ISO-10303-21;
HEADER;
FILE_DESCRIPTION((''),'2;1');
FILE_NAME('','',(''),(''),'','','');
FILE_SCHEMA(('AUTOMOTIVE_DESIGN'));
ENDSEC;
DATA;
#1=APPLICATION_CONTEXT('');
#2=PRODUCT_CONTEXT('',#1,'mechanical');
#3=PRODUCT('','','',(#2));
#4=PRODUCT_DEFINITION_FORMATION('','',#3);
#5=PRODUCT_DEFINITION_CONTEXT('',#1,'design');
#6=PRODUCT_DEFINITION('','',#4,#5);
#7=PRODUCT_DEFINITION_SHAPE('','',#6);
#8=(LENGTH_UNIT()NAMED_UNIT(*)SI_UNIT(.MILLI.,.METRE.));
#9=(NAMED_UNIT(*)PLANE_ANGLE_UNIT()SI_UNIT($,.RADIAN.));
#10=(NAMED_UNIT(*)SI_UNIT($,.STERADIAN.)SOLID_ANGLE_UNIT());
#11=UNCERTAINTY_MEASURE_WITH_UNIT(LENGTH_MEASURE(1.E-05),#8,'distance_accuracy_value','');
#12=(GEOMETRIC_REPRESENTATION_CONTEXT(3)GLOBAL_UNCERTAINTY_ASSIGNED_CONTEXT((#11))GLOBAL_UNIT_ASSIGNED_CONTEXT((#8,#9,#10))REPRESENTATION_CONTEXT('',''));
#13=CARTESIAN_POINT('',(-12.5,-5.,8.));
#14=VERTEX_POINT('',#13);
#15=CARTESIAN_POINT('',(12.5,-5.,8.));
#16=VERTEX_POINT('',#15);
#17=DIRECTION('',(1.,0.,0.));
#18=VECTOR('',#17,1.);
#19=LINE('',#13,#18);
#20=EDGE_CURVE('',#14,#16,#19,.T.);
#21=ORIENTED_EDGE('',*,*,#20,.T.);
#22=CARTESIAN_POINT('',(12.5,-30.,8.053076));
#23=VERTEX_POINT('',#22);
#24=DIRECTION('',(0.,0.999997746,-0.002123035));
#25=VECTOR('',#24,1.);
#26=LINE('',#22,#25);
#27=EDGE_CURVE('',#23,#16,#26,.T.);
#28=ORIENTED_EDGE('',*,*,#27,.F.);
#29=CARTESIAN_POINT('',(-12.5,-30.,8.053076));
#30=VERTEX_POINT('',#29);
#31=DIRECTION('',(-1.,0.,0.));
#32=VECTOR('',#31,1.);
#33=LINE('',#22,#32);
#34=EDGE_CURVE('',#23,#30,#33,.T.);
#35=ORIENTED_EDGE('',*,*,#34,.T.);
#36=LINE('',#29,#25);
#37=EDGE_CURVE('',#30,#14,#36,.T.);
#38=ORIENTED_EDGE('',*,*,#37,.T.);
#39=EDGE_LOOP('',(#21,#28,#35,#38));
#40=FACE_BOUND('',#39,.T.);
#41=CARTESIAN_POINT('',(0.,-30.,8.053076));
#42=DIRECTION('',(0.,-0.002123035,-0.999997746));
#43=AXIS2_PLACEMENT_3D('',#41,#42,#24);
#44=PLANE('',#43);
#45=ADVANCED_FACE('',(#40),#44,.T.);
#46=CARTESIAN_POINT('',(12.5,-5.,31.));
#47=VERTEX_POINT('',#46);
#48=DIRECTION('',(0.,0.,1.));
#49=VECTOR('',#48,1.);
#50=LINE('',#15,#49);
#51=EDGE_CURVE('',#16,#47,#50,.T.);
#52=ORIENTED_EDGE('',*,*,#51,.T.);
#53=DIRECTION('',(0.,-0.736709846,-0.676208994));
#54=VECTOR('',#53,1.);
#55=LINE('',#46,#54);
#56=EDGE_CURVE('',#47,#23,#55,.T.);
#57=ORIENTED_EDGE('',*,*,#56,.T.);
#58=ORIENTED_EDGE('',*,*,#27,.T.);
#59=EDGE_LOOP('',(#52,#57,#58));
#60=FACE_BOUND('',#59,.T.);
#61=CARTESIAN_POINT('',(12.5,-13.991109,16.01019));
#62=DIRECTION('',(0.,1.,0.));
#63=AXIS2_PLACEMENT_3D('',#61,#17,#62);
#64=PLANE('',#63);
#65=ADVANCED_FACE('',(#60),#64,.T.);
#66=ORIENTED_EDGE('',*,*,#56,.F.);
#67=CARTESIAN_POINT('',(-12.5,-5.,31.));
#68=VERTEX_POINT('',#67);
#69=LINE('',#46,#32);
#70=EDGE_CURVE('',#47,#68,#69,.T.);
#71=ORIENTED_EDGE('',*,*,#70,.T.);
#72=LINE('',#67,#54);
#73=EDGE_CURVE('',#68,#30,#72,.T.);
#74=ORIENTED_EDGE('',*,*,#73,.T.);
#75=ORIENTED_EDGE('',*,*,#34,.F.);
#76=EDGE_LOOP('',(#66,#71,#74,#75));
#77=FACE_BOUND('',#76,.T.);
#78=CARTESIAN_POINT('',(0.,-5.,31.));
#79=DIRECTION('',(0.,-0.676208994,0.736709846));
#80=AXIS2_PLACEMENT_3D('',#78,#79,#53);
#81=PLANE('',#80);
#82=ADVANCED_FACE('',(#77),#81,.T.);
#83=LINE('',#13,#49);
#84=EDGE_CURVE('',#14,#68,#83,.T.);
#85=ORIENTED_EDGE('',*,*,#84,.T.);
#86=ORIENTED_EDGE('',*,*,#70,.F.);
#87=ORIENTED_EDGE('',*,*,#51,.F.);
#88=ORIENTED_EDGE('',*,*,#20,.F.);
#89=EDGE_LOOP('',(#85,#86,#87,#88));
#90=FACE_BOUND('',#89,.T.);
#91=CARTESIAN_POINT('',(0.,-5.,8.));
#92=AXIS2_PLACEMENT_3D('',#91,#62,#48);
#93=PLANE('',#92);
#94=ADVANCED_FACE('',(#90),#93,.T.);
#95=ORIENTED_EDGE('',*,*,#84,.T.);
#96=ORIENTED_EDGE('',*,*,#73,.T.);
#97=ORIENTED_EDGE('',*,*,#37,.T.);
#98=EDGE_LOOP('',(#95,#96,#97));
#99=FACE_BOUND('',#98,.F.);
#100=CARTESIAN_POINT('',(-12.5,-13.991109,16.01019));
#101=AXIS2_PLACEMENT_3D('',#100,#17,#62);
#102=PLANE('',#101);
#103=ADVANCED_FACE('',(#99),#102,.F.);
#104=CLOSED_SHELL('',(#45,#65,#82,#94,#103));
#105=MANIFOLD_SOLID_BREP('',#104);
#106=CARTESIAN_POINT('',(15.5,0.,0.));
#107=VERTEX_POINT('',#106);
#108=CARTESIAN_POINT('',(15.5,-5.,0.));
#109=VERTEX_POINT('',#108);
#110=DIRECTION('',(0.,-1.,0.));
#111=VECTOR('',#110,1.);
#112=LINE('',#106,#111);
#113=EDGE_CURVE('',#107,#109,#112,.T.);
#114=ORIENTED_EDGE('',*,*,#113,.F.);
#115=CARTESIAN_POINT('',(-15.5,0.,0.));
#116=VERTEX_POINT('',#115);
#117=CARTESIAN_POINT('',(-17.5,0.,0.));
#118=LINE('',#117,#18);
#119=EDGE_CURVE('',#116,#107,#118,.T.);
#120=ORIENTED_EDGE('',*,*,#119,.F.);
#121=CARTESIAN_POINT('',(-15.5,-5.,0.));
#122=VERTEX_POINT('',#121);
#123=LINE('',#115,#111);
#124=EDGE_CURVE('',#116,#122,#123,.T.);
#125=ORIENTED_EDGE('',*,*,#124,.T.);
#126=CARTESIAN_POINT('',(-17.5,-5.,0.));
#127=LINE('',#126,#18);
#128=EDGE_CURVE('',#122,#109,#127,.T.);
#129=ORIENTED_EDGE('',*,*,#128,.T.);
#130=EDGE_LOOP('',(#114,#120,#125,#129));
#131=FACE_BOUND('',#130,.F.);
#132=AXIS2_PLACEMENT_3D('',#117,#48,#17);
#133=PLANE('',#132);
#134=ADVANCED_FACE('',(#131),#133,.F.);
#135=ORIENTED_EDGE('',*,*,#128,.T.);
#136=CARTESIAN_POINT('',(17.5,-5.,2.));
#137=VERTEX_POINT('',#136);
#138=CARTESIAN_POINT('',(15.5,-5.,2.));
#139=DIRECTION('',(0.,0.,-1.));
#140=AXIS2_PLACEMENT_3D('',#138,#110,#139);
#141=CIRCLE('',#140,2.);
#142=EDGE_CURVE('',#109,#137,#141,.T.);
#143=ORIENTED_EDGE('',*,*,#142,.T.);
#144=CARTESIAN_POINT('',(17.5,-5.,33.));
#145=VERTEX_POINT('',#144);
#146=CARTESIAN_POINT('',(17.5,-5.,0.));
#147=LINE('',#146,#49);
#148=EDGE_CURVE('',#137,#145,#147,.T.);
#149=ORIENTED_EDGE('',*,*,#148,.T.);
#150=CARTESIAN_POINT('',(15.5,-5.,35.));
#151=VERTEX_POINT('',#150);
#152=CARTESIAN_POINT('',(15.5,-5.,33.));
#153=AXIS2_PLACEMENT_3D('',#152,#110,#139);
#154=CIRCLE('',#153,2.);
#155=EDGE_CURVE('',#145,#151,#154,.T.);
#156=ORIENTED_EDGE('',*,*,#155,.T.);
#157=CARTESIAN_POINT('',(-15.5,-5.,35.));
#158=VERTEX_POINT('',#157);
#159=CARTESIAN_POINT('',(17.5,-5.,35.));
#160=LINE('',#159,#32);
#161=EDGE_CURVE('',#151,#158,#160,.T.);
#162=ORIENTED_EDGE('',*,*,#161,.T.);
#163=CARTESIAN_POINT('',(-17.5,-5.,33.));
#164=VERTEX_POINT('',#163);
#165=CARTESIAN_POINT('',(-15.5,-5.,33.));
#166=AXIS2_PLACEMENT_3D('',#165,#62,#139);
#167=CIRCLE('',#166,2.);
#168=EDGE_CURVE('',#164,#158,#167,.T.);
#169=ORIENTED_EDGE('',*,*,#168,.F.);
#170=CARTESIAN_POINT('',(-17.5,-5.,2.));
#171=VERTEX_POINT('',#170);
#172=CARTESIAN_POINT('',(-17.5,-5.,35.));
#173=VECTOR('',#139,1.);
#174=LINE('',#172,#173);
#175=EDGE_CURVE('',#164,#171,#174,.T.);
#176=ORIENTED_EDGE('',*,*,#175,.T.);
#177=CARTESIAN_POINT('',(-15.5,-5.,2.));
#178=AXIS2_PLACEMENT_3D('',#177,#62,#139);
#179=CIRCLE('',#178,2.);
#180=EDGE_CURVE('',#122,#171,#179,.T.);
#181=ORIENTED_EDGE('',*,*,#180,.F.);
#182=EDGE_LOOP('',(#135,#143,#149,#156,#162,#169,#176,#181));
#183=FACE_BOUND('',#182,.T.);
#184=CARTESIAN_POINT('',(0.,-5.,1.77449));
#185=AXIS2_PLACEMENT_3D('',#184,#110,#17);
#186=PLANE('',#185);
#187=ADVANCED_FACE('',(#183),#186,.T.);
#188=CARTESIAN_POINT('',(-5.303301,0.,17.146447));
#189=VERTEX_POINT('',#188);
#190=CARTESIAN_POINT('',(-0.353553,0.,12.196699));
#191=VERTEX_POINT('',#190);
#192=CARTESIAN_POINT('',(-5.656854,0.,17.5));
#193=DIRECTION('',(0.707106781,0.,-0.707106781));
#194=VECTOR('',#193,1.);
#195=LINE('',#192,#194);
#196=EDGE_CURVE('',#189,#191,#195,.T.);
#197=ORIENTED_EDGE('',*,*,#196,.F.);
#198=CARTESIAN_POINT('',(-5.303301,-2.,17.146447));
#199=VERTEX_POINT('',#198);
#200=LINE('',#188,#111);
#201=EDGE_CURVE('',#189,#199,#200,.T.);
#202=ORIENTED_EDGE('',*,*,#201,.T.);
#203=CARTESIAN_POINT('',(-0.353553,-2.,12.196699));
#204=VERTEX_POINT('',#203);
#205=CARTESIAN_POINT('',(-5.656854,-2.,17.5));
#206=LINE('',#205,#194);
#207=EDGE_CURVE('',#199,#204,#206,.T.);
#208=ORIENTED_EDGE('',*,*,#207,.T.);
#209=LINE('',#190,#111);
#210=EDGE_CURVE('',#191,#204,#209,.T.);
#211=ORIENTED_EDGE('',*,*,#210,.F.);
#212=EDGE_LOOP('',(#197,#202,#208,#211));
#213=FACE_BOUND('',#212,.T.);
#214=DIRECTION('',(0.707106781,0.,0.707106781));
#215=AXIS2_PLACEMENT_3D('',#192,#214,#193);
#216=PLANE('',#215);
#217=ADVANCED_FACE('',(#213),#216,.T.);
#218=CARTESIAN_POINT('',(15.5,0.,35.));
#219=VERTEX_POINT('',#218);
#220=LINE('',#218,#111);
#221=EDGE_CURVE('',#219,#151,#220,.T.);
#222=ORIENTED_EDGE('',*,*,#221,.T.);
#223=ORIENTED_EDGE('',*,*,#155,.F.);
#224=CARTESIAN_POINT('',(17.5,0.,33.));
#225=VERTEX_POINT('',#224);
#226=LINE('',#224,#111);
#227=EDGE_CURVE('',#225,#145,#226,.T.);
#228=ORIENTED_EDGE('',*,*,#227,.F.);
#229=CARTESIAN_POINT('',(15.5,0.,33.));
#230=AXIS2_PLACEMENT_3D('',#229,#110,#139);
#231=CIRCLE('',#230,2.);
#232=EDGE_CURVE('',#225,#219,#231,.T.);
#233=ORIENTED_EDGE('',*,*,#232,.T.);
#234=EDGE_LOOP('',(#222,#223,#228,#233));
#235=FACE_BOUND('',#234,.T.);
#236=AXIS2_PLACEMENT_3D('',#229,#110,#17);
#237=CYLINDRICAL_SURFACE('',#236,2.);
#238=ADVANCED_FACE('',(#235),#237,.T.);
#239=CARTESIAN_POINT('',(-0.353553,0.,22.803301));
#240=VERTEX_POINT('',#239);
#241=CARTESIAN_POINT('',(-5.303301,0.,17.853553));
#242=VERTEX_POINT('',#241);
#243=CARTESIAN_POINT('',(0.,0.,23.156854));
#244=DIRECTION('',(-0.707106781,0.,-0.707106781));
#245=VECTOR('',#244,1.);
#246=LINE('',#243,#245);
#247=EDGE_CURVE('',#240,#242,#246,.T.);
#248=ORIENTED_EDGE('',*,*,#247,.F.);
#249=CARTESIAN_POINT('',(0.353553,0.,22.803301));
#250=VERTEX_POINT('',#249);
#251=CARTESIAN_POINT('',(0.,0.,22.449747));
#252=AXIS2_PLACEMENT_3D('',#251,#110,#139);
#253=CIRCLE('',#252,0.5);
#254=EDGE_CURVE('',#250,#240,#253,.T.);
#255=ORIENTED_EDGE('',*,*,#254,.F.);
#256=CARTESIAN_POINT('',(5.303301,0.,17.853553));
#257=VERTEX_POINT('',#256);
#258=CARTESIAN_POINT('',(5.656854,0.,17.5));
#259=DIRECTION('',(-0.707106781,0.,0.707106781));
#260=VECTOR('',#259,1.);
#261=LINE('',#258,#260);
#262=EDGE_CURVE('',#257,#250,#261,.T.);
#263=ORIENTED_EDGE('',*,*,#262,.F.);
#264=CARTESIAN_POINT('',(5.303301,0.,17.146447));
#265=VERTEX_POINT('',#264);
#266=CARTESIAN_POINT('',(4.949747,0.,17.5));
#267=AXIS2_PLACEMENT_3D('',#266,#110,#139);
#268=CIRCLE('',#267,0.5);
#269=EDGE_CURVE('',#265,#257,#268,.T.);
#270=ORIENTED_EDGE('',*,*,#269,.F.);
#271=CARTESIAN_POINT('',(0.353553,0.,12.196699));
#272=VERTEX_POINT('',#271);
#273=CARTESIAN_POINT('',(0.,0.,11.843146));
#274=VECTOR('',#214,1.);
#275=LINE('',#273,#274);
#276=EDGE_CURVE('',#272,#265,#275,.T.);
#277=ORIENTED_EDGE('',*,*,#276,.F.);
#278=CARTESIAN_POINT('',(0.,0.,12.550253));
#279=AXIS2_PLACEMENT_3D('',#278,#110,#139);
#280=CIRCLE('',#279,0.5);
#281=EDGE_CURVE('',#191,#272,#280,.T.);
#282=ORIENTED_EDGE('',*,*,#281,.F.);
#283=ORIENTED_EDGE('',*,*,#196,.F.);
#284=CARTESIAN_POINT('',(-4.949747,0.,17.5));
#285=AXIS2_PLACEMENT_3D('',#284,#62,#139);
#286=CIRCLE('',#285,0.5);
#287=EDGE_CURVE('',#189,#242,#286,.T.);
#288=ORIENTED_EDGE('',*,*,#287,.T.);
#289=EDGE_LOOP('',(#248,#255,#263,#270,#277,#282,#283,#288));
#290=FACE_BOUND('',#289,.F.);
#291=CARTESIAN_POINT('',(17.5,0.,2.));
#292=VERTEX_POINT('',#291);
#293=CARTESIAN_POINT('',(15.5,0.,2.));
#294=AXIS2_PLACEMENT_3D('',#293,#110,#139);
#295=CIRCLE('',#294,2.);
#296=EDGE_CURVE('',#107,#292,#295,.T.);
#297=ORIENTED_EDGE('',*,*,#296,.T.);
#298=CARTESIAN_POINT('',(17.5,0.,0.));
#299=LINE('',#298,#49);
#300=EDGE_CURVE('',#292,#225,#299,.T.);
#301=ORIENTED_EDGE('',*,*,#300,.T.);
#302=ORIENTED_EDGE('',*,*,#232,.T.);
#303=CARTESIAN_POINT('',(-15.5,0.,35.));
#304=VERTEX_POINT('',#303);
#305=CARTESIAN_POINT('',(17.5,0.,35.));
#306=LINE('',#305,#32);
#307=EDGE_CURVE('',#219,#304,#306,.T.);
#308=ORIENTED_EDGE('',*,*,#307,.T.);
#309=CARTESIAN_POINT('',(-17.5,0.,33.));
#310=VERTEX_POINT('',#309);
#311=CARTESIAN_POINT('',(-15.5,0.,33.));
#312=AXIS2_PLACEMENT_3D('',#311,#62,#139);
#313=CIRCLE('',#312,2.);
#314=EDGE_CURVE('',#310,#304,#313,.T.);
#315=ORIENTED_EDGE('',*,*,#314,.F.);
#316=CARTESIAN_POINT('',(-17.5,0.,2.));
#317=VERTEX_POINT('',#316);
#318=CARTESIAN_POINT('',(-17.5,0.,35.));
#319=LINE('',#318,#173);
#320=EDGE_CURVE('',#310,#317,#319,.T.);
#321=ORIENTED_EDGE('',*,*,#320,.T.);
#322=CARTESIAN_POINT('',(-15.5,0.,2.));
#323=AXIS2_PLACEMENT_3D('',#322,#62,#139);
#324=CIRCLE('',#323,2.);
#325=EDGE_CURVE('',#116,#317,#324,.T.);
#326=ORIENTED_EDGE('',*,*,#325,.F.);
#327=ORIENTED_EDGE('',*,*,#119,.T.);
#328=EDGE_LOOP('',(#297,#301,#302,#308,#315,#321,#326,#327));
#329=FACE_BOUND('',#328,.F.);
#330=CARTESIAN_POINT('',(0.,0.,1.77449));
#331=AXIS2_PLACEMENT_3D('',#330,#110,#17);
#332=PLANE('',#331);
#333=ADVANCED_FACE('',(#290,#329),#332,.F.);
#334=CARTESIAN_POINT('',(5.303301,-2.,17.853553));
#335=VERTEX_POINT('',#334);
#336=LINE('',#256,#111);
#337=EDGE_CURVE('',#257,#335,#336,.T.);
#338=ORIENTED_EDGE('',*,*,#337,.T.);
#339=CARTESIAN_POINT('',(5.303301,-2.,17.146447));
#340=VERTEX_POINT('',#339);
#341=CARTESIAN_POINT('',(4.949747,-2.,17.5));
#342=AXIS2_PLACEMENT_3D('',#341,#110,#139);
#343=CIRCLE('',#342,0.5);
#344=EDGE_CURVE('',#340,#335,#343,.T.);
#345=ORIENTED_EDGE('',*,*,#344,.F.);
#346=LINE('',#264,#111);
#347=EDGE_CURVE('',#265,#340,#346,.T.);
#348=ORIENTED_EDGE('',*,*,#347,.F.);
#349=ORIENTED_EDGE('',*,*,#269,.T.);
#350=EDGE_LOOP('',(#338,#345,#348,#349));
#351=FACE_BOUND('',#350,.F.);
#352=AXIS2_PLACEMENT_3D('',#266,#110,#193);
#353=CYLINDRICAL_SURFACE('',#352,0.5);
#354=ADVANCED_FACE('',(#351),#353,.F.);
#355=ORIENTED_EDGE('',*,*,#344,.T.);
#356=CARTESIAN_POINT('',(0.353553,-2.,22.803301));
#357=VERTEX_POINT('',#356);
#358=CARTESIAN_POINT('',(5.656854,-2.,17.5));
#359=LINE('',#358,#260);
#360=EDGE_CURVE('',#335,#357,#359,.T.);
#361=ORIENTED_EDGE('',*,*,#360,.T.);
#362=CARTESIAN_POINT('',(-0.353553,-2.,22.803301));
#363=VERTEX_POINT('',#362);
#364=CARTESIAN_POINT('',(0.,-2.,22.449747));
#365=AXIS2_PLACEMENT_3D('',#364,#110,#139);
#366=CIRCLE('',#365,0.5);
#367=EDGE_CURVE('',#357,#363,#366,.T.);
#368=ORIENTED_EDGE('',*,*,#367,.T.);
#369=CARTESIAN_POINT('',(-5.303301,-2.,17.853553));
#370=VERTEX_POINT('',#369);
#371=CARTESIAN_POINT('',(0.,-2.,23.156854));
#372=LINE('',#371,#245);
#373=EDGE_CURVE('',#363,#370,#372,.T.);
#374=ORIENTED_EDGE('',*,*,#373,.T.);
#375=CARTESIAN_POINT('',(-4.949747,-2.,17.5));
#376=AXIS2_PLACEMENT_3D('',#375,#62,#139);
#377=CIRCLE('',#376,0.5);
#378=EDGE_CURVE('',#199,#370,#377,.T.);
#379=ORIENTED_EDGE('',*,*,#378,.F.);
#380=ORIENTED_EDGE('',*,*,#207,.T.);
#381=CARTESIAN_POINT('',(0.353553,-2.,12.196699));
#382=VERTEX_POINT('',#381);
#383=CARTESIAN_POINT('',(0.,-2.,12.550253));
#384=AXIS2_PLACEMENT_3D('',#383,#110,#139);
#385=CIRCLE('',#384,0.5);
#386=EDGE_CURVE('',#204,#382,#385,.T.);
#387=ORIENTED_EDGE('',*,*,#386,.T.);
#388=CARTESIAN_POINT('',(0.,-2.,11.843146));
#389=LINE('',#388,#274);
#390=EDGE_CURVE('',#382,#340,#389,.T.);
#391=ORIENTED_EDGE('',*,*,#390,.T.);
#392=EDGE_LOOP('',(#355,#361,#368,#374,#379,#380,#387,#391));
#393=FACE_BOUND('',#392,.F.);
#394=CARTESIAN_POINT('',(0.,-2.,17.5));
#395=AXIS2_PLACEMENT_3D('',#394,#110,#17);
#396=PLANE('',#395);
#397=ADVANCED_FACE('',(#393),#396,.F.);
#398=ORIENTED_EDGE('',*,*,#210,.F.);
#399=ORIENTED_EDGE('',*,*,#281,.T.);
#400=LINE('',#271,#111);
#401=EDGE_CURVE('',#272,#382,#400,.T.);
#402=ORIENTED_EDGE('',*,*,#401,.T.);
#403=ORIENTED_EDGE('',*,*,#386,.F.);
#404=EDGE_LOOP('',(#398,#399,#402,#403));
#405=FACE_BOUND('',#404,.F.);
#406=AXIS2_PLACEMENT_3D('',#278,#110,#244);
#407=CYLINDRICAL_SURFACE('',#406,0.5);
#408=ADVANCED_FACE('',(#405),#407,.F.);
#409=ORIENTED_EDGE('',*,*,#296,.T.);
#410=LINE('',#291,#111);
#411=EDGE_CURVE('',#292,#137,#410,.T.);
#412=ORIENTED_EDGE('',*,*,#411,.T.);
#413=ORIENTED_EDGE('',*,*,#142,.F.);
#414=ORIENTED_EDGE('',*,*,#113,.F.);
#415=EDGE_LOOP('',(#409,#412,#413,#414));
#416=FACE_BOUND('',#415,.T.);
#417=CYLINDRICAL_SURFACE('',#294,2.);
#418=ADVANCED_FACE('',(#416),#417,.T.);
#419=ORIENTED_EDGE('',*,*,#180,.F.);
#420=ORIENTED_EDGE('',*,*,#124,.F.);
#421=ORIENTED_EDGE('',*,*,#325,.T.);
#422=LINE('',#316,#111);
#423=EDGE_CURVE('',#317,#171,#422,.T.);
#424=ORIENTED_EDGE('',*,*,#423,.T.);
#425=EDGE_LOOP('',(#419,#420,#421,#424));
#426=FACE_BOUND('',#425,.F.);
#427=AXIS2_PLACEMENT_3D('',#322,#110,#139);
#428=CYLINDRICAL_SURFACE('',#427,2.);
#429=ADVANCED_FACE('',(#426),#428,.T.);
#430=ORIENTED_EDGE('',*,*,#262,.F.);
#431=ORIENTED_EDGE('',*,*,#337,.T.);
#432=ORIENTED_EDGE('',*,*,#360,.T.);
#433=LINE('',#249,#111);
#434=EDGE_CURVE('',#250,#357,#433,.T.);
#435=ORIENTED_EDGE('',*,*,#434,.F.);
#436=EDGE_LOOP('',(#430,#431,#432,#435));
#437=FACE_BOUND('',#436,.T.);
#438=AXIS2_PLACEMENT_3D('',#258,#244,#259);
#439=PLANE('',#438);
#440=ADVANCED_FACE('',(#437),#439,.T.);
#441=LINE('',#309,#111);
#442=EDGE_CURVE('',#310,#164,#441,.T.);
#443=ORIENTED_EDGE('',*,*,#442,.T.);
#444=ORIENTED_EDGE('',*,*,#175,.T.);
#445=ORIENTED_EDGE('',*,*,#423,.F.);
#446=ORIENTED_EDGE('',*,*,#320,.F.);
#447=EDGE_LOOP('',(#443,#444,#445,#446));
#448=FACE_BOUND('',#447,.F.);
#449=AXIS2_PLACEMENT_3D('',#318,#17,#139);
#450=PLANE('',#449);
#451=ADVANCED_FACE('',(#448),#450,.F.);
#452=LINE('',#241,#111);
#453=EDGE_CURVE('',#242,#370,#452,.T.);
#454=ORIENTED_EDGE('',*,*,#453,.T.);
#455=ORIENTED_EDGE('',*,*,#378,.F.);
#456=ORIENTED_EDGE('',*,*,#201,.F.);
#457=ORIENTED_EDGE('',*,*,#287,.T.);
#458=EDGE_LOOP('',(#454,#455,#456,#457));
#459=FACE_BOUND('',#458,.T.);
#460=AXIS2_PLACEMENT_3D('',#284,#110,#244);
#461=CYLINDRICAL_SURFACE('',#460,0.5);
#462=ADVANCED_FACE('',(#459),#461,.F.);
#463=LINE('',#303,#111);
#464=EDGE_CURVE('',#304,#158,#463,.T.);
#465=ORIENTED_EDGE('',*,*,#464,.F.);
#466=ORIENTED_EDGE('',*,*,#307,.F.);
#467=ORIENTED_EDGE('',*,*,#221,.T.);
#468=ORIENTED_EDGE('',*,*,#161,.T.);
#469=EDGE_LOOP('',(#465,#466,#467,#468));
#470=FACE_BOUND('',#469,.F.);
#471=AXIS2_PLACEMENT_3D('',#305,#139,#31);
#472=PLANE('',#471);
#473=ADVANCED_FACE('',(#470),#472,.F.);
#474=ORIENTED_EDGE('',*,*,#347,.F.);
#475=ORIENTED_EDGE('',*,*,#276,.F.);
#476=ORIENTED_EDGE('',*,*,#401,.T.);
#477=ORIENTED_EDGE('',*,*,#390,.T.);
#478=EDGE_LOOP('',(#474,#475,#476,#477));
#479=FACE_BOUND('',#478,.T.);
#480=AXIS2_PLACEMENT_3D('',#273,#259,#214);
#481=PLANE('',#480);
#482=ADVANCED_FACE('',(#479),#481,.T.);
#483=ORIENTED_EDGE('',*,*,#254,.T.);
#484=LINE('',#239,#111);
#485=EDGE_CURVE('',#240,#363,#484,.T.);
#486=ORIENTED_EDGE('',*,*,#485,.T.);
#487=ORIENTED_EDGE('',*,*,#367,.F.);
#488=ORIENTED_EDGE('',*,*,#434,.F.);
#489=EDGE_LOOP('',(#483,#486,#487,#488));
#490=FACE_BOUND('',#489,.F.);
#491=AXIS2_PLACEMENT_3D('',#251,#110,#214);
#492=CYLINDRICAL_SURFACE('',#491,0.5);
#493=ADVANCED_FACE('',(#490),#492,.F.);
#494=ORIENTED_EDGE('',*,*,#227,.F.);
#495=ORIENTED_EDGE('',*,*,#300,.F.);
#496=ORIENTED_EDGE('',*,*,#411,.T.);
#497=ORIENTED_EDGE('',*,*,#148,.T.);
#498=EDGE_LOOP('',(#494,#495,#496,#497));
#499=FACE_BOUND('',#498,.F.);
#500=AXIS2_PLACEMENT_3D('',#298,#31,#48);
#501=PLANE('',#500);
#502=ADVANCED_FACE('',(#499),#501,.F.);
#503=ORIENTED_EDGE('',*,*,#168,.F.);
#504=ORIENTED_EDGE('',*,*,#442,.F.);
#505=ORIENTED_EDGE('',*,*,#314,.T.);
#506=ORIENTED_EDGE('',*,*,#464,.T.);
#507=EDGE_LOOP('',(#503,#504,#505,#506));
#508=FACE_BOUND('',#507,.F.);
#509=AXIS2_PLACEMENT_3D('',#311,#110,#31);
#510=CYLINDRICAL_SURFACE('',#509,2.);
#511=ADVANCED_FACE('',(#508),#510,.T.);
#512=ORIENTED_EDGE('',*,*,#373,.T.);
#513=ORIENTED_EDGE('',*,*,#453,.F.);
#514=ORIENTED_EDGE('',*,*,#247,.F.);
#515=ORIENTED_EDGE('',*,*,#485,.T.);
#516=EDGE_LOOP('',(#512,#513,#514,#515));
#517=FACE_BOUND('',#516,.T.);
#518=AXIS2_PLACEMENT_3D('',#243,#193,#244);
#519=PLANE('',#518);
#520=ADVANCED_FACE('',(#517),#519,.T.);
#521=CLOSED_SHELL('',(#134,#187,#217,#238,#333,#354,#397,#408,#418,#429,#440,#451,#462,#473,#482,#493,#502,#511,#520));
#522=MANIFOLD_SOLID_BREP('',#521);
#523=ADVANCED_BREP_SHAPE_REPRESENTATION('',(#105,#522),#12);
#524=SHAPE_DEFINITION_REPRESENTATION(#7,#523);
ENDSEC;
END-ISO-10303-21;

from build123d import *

# Parameters (mm, degrees)
F1_DEPTH = 5
F2_DEPTH = 2
F3_R     = 2
F4_R     = 0.5
F6_DEPTH = 12.5


with BuildPart() as f1:
    # F0 (on Front) → F1 (new body)
    with BuildSketch(Plane.XZ):
        with BuildLine():
            ThreePointArc((17.5, 3), (0, 4), (-17.5, 3))
            Line((-17.5, 3), (-17.5, 0))
            Line((-17.5, 0), (17.5, 0))
            Line((17.5, 0), (17.5, 3))
        make_face()
        with BuildLine():
            Line((17.5, 35), (-17.5, 35))
            Line((-17.5, 35), (-17.5, 3))
            ThreePointArc((-17.5, 3), (0, 4), (17.5, 3))
            Line((17.5, 3), (17.5, 35))
        make_face()
        Polygon((5.656854, 17.5), (0, 11.843146), (-5.656854, 17.5), (0, 23.156854), align=None, mode=Mode.SUBTRACT)
        Polygon((-5.656854, 17.5), (0, 11.843146), (5.656854, 17.5), (0, 23.156854), align=None)
    extrude(amount=F1_DEPTH)

    # F0 (on Front) → F2 (cut)
    with BuildSketch(Plane.XZ):
        Polygon((-5.656854, 17.5), (0, 11.843146), (5.656854, 17.5), (0, 23.156854), align=None)
    extrude(amount=F2_DEPTH, mode=Mode.SUBTRACT)

    # F3
    f3_edges = [f1.edges().sort_by_distance(p)[0] for p in [
        (-17.5, -2.5, 35),
        (17.5, -2.5, 35),
        (-17.5, -2.5, 0),
        (17.5, -2.5, 0),
    ]]
    fillet(f3_edges, radius=F3_R)

    # F4
    f4_edges = [f1.edges().sort_by_distance(p)[0] for p in [
        (5.656854, -1, 17.5),
        (0, -1, 23.156854),
        (-5.656854, -1, 17.5),
        (0, -1, 11.843146),
    ]]
    fillet(f4_edges, radius=F4_R)


with BuildPart() as f6:
    # F5 (on Right) → F6 (new body, symmetric)
    with BuildSketch(Plane.YZ):
        Polygon((-30, 8.053076), (-5, 8), (-5, 31), align=None)
    extrude(amount=F6_DEPTH, both=True)


solid = Compound([f1.part, f6.part])
